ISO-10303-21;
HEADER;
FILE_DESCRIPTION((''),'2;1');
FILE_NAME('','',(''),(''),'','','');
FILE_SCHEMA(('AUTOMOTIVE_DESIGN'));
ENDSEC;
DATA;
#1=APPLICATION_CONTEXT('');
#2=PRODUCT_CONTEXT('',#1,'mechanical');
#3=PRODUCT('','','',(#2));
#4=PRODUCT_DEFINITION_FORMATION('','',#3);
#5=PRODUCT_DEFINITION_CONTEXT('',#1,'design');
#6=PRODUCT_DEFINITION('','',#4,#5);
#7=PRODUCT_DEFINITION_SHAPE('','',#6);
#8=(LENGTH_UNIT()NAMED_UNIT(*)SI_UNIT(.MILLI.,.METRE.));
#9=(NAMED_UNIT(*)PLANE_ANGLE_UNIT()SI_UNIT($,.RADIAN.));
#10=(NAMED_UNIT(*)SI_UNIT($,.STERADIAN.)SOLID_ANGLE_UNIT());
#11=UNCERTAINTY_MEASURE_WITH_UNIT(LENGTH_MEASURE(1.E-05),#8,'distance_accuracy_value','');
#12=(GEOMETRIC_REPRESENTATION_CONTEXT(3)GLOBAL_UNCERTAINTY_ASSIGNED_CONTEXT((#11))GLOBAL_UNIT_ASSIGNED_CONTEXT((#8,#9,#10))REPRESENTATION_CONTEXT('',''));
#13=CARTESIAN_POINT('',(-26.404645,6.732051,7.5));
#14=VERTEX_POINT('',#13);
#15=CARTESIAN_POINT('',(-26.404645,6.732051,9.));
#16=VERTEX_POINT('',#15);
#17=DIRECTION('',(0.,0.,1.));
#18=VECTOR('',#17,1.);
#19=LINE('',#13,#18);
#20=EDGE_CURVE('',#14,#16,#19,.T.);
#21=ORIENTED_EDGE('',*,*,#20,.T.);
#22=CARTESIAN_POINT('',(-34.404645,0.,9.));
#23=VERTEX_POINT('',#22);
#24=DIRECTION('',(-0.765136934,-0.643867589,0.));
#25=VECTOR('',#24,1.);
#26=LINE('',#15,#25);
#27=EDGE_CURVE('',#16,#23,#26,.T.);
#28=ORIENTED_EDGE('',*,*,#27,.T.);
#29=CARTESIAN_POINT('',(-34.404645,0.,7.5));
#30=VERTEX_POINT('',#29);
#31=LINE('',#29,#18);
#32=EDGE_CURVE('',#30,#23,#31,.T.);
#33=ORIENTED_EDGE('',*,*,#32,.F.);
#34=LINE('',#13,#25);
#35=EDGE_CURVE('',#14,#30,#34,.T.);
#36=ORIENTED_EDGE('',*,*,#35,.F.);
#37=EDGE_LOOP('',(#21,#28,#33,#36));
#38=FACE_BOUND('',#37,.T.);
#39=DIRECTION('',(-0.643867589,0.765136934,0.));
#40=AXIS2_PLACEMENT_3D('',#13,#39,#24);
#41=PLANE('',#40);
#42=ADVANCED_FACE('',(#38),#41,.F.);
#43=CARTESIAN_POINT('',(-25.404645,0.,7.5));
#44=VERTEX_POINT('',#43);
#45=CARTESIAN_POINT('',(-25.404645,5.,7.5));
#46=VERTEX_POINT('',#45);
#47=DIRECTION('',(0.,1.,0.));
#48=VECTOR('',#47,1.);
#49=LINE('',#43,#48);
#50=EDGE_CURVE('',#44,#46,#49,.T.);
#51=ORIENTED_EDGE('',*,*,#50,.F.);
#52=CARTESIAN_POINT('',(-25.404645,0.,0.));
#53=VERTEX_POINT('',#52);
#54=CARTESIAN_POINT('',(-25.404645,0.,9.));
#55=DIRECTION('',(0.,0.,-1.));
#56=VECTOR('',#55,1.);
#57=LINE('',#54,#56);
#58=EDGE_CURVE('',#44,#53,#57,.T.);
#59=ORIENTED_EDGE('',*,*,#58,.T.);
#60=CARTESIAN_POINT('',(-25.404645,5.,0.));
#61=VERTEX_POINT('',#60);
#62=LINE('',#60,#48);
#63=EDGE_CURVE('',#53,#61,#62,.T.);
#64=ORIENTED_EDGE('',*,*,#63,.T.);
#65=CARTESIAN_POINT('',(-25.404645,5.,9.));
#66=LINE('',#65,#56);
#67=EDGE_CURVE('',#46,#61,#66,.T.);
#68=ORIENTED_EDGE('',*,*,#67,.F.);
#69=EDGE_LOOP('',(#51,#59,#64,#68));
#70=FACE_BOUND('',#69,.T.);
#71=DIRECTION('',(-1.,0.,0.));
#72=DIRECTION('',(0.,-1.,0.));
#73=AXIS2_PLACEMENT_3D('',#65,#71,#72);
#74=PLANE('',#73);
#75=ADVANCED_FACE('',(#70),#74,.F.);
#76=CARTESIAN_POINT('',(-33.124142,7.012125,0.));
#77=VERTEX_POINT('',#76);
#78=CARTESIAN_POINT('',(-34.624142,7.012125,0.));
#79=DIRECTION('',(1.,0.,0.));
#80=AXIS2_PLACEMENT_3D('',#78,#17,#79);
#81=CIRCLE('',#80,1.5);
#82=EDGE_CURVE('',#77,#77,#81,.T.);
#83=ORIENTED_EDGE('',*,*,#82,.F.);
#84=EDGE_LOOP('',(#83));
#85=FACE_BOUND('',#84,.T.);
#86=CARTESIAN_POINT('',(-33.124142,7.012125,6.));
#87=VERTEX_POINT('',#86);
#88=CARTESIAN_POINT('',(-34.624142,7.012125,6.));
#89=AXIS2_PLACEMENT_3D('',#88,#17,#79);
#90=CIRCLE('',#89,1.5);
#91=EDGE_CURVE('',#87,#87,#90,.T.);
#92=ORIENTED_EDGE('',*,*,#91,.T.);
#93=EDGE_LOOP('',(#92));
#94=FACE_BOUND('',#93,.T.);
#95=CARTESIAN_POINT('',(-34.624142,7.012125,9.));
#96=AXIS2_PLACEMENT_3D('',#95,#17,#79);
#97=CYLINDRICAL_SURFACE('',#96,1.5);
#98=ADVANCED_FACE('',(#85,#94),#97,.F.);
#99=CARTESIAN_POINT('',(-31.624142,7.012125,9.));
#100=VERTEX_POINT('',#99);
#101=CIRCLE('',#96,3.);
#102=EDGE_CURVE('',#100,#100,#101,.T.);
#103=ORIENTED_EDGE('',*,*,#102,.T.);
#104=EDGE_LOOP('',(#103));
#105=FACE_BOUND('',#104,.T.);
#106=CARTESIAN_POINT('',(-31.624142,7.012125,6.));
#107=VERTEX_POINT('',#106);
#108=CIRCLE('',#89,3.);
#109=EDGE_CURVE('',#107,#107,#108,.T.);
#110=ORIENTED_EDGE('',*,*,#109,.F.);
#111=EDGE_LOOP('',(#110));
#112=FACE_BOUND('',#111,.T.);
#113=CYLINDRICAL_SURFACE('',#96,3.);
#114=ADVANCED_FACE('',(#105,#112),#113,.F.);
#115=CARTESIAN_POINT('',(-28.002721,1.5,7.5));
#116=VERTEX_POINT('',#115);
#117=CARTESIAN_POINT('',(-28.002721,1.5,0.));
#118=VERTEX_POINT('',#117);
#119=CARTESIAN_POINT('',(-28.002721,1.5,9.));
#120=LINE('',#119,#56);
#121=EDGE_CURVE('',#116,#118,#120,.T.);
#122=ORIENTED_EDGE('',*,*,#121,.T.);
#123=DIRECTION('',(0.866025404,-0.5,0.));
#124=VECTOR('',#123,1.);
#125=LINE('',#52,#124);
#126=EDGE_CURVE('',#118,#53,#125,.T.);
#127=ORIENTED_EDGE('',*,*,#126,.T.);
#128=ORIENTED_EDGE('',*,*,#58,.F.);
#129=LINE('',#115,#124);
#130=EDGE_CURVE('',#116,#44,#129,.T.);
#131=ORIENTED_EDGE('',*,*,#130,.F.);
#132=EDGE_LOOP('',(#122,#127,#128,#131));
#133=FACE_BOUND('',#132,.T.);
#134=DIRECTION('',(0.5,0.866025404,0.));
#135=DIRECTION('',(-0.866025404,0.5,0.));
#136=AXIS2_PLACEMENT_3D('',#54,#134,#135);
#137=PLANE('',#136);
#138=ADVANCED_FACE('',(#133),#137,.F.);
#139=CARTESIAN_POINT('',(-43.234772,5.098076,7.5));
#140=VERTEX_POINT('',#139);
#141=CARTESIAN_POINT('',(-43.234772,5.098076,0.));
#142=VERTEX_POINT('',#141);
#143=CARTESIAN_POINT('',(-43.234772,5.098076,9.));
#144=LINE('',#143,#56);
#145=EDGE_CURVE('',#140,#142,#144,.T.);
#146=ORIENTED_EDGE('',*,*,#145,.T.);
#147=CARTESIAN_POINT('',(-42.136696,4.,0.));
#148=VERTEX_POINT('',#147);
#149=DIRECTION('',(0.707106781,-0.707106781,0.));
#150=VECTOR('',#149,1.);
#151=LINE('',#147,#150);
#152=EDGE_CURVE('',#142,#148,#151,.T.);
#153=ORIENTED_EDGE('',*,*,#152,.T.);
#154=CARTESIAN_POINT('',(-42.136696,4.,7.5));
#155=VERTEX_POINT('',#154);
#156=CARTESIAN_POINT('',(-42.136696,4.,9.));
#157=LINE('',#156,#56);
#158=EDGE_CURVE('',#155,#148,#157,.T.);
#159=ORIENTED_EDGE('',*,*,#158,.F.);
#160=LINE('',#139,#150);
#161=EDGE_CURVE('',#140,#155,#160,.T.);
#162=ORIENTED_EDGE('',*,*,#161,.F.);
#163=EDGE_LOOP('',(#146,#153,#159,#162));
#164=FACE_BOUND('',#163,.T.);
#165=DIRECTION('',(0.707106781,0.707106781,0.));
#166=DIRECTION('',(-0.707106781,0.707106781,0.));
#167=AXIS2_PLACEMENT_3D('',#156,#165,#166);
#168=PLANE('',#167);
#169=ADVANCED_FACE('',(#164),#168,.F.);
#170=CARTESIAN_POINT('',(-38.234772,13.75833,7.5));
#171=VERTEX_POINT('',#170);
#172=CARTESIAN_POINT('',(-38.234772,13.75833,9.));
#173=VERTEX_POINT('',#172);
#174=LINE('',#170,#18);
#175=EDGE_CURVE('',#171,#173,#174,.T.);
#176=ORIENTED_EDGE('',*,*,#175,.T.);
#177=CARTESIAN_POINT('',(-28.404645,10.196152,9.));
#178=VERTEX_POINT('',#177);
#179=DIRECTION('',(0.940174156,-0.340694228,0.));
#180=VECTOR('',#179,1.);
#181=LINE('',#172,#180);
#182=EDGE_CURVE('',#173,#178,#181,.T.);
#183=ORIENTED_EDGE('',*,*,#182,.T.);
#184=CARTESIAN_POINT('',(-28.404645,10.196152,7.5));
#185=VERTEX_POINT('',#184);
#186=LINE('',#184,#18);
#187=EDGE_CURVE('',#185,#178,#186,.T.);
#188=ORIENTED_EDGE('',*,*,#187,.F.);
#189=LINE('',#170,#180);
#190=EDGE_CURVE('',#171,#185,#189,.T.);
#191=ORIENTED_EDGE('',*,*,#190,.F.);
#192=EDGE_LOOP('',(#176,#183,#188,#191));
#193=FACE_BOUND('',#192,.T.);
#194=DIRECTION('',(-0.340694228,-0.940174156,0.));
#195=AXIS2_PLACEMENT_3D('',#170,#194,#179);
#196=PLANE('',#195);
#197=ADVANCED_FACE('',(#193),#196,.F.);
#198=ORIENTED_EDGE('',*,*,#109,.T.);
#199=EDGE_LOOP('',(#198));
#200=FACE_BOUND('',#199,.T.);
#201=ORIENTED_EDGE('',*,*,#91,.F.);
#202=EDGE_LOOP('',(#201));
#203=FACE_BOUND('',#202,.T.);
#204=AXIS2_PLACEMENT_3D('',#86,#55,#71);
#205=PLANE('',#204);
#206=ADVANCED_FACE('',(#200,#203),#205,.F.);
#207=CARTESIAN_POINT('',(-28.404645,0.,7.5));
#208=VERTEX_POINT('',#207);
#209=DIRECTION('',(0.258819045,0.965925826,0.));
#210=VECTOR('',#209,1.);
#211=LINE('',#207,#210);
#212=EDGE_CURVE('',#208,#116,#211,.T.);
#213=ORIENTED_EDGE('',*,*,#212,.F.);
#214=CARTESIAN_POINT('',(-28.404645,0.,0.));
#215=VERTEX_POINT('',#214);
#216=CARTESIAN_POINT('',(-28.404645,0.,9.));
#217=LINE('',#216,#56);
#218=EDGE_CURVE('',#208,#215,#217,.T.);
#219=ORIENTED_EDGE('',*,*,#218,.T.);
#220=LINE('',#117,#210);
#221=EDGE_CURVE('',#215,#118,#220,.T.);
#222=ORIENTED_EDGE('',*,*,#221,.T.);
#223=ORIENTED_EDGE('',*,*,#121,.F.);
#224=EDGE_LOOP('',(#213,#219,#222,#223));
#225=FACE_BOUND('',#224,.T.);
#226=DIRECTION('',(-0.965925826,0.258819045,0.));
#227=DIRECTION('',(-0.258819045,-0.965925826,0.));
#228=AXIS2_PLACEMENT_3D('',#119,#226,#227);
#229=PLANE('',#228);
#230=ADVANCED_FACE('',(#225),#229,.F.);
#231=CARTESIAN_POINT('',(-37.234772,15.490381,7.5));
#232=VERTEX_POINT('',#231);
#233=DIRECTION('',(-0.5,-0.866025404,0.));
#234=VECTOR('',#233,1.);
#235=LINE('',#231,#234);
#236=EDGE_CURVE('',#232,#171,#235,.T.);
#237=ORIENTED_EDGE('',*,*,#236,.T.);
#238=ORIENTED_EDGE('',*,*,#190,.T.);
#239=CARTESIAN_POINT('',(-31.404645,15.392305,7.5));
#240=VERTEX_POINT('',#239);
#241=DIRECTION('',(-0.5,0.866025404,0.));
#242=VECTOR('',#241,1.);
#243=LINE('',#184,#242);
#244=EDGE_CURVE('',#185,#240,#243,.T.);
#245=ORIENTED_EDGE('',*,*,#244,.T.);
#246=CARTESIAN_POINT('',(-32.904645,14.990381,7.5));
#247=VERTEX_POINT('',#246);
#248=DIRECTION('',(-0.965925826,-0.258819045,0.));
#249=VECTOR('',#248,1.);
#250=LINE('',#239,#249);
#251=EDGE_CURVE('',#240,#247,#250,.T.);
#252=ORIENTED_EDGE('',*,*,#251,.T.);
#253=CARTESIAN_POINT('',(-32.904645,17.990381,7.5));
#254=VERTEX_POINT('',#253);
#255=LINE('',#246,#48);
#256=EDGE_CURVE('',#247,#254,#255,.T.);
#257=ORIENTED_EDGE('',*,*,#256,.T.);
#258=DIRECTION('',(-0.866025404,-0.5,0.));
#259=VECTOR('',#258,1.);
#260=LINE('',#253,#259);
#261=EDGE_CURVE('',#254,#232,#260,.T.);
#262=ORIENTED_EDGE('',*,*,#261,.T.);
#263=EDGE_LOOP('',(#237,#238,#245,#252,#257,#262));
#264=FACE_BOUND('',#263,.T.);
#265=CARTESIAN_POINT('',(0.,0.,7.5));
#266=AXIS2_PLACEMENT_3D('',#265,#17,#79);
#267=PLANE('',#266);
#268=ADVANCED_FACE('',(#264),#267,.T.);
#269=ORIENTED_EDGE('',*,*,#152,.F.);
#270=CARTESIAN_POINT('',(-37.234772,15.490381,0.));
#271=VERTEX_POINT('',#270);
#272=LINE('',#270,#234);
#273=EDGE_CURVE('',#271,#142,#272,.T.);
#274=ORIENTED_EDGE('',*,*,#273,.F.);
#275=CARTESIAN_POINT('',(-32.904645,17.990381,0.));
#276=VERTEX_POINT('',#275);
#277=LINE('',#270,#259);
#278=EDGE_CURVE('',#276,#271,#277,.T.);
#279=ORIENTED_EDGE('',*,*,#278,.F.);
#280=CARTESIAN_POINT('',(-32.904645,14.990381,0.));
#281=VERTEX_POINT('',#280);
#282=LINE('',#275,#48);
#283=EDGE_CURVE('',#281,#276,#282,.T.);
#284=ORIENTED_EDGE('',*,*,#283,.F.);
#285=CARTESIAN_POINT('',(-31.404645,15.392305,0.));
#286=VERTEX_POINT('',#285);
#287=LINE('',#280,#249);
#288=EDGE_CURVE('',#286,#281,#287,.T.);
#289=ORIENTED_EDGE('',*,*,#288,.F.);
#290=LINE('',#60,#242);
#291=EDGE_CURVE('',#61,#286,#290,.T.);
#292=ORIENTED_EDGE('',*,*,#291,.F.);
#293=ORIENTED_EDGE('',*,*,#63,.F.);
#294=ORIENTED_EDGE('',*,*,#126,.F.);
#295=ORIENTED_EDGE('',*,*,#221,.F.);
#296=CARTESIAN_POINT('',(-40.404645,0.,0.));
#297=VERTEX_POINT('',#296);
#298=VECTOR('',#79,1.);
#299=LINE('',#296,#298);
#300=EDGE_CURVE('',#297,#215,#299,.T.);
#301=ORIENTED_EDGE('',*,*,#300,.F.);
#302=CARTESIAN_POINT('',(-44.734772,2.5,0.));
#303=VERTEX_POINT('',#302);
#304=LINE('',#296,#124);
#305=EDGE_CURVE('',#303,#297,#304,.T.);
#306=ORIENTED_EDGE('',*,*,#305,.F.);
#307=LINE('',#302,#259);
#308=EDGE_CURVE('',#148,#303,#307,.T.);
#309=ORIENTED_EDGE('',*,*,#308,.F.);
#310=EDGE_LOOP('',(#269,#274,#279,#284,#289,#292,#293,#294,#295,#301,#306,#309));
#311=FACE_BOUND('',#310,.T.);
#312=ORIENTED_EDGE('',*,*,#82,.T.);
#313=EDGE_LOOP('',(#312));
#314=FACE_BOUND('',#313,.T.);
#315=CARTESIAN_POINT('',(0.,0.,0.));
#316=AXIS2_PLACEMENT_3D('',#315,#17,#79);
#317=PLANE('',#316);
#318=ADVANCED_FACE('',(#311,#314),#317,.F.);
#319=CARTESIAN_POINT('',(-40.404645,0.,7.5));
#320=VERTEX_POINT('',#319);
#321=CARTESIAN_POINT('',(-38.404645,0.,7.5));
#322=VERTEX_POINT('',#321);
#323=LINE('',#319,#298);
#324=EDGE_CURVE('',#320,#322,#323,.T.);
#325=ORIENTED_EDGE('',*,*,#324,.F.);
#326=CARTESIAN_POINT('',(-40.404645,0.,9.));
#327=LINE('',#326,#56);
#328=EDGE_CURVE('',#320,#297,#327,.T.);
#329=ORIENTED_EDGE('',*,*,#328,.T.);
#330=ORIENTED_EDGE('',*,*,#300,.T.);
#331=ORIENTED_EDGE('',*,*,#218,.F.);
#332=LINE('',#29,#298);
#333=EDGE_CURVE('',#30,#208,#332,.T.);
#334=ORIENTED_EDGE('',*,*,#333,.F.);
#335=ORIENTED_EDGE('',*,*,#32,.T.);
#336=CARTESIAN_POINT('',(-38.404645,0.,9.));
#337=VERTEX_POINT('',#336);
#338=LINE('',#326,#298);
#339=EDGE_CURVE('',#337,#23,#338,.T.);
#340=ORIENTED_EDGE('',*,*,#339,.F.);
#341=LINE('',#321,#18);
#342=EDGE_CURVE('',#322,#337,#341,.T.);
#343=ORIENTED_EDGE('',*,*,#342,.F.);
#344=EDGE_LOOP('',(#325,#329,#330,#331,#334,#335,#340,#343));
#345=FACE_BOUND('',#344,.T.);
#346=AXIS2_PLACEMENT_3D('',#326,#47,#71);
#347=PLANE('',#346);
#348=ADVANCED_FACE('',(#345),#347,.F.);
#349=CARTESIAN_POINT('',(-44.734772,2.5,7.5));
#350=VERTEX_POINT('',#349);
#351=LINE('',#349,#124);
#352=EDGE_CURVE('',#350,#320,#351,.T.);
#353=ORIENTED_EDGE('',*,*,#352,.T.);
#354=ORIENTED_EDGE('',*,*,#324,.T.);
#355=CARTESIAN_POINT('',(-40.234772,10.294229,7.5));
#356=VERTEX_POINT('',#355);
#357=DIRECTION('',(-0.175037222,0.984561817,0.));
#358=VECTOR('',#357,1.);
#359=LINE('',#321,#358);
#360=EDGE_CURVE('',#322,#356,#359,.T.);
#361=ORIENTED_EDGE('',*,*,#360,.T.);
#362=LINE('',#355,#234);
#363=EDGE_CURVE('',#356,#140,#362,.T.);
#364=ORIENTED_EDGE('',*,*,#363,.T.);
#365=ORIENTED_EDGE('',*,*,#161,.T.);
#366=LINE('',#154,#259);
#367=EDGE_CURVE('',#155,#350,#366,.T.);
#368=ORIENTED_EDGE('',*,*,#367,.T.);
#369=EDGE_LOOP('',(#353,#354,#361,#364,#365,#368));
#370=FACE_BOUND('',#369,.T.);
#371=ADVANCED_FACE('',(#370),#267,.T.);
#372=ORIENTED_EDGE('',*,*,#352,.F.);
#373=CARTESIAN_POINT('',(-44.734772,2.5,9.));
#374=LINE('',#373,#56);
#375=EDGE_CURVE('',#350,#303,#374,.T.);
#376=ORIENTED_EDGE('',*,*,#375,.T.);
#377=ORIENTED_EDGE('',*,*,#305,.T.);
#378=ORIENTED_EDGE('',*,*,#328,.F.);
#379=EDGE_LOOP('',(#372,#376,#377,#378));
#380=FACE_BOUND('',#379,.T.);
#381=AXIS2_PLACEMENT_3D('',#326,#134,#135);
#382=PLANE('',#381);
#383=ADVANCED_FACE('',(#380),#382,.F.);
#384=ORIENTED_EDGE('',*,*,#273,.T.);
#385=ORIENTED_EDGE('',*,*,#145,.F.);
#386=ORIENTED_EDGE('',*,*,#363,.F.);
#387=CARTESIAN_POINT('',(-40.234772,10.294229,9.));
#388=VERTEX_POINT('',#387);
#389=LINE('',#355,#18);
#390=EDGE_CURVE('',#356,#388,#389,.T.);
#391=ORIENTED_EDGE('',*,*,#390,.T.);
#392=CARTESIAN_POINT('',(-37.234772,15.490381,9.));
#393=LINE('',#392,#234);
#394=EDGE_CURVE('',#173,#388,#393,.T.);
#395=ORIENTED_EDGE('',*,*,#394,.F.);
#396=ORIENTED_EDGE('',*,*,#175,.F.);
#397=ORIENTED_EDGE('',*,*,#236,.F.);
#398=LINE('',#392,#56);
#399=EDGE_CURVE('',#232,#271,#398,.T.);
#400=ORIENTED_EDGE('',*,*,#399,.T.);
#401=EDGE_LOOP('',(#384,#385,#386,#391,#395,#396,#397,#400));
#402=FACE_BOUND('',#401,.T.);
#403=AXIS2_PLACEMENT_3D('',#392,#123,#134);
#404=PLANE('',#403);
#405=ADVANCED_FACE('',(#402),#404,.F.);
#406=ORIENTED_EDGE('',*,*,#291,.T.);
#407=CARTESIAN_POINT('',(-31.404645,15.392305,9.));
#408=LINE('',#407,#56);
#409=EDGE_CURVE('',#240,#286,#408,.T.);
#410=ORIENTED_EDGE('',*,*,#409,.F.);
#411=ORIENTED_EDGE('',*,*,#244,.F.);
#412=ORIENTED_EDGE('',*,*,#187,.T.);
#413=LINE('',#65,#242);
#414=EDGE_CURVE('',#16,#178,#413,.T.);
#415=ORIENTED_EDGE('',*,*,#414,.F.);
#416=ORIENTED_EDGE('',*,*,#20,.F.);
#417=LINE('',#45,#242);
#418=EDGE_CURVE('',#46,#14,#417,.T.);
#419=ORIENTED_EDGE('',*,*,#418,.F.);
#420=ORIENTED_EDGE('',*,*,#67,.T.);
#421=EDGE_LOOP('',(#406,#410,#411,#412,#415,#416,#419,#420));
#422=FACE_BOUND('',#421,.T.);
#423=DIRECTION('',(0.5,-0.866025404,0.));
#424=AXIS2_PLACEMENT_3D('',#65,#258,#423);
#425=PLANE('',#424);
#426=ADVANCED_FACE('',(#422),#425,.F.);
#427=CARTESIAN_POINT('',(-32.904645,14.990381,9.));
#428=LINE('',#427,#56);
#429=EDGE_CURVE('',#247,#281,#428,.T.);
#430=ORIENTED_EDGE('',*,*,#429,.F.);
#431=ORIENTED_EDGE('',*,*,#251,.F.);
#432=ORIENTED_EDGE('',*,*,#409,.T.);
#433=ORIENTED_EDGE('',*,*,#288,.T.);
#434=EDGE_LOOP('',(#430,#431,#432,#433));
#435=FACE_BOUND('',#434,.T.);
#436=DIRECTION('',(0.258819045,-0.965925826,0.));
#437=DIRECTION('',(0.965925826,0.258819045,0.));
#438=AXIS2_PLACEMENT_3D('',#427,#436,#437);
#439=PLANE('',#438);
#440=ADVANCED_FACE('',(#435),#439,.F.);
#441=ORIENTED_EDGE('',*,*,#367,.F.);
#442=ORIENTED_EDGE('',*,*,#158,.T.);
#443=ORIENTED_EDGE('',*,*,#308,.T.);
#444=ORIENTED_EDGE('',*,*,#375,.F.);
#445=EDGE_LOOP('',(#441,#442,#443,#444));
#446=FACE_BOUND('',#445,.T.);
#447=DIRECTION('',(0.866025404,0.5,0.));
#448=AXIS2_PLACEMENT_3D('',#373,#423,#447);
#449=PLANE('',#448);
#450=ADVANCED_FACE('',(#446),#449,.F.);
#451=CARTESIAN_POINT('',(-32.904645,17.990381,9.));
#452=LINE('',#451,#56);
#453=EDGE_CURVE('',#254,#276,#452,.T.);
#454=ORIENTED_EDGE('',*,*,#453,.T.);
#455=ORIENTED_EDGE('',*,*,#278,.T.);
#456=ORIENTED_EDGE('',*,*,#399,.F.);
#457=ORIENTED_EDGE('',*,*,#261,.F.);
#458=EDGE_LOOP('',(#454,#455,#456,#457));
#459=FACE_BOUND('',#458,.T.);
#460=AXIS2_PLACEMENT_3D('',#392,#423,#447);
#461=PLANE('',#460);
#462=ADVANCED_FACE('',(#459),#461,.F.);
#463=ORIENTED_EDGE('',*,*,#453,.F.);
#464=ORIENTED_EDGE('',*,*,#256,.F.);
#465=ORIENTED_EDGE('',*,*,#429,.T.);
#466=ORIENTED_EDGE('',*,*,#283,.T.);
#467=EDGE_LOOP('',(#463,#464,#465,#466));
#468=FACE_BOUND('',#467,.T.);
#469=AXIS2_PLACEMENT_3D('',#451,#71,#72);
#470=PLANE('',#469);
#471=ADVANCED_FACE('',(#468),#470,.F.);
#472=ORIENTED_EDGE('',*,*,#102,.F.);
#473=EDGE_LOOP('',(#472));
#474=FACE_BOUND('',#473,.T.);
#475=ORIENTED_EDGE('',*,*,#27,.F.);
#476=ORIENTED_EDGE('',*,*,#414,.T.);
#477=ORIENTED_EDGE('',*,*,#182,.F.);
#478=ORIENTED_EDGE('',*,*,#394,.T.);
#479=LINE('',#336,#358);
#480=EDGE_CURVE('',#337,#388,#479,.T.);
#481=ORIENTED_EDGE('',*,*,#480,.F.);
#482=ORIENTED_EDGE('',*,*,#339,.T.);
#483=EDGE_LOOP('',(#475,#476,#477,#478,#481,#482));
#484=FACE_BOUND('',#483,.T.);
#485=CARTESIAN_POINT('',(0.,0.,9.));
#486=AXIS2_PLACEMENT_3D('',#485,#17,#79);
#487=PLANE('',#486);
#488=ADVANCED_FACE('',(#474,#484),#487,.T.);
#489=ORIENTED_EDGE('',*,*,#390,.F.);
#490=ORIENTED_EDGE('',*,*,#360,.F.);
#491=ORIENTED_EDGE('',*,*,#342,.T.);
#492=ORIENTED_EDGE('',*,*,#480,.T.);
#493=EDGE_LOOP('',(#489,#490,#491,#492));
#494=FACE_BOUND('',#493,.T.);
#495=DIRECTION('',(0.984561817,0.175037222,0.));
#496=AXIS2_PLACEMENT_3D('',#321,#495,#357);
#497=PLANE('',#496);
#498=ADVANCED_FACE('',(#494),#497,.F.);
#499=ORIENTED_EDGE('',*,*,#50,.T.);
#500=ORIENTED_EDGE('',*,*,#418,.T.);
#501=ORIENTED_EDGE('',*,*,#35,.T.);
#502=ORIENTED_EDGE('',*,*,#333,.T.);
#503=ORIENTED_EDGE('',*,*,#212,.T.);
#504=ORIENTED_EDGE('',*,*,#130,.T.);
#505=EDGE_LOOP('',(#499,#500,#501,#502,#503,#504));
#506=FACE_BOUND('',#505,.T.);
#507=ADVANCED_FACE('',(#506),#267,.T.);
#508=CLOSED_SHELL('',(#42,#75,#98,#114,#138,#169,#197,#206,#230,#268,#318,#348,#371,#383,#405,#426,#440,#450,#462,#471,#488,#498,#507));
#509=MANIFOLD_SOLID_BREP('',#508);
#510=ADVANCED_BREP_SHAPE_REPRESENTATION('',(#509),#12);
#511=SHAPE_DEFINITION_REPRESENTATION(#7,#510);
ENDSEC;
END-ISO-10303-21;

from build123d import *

# Parameters (mm, degrees)
EXTRUDE_1_DEPTH           = 9
CUT_EXTRUDE_5_DEPTH       = 1.5
HOLE_WIZARD_1_D           = 3
HOLE_WIZARD_1_CBORE_D     = 6
HOLE_WIZARD_1_CBORE_DEPTH = 3


with BuildPart() as part:
    # 草图1 → 凸台-拉伸1 (new body)
    with BuildSketch(Plane.XY):
        Polygon((-37.234772054, 15.490381057), (-43.234772054, 5.098076211), (-42.136695843, 4), (-44.734772054, 2.5), (-40.404645035, 0), (-28.404645035, 0), (-28.002721246, 1.5), (-25.404645035, 0), (-25.404645035, 5), (-31.404645035, 15.392304845), (-32.904645035, 14.990381057), (-32.904645035, 17.990381057), align=None)
    extrude(amount=EXTRUDE_1_DEPTH)

    # 草图2 → 切除-拉伸5 (cut)
    with BuildSketch(Plane.XY.offset(9)):
        Polygon((-38.404645035, 0), (-40.234772054, 10.294228634), (-43.234772054, 5.098076211), (-42.136695843, 4), (-44.734772054, 2.5), (-40.404645035, 0), align=None)
        Polygon((-38.234772054, 13.758330249), (-28.404645035, 10.196152423), (-31.404645035, 15.392304845), (-32.904645035, 14.990381057), (-32.904645035, 17.990381057), (-37.234772054, 15.490381057), align=None)
        Polygon((-26.404645035, 6.732050808), (-34.404645035, 0), (-28.404645035, 0), (-28.002721246, 1.5), (-25.404645035, 0), (-25.404645035, 5), align=None)
    extrude(amount=-CUT_EXTRUDE_5_DEPTH, mode=Mode.SUBTRACT)

    # 孔1 (through all)
    with Locations(Plane.XY.offset(9)):
        with Locations((-34.624141854, 7.012125204)):
            CounterBoreHole(HOLE_WIZARD_1_D / 2, HOLE_WIZARD_1_CBORE_D / 2, HOLE_WIZARD_1_CBORE_DEPTH)


solid = part.part
